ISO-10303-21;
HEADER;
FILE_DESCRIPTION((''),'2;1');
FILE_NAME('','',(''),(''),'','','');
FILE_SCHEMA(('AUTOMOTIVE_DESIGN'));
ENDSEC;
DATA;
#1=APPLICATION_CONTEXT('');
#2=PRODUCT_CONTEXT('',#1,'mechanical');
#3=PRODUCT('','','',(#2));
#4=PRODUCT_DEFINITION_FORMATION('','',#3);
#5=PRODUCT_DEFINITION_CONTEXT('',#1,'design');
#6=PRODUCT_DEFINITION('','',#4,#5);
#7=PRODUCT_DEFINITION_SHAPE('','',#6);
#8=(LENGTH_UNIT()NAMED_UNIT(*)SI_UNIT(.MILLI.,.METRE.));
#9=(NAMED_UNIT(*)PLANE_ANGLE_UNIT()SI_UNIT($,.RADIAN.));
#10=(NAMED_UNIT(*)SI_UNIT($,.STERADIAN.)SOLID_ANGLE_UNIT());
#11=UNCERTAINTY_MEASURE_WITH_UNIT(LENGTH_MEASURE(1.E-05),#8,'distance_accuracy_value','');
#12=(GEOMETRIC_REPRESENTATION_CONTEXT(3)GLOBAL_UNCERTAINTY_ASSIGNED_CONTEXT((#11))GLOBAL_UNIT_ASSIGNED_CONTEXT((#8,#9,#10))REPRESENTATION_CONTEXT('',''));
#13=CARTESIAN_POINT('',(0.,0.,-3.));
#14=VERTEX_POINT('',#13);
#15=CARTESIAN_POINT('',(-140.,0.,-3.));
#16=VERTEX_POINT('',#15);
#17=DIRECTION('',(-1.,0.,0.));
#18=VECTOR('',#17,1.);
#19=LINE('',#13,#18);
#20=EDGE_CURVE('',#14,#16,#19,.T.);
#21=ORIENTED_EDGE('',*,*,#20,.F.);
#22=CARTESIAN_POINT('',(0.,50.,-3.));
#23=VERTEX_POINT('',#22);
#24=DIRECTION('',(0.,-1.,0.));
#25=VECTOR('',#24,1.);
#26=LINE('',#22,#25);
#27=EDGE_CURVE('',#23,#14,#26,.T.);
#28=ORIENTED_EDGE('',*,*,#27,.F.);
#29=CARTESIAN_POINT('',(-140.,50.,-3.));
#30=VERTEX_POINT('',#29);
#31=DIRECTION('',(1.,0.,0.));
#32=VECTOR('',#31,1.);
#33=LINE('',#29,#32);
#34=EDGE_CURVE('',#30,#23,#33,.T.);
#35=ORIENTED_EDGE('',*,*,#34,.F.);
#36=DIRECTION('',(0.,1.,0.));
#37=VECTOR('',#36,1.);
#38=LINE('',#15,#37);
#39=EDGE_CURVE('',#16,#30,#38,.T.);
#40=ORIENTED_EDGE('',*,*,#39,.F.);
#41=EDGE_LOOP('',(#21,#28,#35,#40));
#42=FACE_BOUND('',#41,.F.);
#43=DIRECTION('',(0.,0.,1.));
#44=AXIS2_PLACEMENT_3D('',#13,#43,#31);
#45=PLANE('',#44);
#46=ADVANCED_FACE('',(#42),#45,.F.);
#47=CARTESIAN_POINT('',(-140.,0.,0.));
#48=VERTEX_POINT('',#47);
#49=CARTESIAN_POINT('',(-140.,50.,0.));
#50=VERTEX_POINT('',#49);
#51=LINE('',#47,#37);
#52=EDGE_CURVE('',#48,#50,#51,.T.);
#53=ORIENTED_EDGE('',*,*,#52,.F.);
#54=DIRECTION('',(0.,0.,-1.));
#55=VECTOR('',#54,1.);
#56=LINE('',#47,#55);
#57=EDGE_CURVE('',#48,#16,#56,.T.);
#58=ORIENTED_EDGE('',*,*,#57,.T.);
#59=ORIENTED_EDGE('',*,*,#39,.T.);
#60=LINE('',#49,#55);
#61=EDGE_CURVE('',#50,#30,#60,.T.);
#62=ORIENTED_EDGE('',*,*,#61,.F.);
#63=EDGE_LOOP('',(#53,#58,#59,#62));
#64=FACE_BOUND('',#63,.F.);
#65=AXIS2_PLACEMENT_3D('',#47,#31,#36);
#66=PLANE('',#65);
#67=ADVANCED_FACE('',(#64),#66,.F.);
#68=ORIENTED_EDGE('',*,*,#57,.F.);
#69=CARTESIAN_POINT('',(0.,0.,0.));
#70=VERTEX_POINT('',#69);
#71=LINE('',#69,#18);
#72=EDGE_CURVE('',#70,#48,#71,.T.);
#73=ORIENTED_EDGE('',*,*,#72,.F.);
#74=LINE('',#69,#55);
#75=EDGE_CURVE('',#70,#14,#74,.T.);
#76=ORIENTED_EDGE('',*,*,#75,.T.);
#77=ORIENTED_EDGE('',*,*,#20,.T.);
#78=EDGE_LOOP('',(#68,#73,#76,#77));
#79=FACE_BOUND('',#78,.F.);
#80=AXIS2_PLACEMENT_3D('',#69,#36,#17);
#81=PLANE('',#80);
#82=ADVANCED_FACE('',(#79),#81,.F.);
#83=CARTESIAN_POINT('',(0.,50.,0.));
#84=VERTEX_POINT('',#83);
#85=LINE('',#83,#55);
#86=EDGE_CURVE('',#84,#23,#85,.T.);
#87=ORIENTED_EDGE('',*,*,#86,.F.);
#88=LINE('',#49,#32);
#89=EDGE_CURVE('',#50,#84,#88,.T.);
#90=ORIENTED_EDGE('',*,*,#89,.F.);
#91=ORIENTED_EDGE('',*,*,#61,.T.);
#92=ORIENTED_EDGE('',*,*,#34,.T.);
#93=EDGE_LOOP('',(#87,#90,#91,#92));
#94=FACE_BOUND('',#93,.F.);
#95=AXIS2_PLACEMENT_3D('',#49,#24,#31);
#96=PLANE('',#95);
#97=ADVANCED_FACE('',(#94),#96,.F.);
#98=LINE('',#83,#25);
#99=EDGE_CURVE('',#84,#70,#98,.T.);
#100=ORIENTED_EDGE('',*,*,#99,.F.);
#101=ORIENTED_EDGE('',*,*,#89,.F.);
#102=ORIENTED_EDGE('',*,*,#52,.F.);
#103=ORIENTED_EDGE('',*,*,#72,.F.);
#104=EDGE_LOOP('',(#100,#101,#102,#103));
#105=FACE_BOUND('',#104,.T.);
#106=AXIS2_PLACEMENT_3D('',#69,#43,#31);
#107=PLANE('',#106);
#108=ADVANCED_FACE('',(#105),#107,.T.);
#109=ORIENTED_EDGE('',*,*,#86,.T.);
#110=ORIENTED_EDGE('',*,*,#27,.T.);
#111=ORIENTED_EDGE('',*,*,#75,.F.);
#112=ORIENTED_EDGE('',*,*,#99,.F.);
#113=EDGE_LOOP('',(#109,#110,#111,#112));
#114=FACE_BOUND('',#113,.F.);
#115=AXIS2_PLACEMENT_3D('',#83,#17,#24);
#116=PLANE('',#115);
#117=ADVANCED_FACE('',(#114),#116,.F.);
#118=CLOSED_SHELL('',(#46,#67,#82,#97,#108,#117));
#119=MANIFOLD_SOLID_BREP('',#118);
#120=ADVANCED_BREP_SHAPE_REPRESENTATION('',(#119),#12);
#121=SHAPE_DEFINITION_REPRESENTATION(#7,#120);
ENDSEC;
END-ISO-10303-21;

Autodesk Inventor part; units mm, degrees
ref_plane "YZ Plane" through (0, 0, 0) normal (1, 0, 0) x (0, 1, 0)
ref_plane "XZ Plane" through (0, 0, 0) normal (0, 1, 0) x (-1, 0, 0)
ref_plane "XY Plane" through (0, 0, 0) normal (0, 0, 1) x (1, 0, 0)
sketch "Sketch1" plane through (0, 0, 0) normal (0, 0, 1) x (1, 0, 0)
  line L0 (0, 0) -> (-140, 0)
  line L1 (-140, 0) -> (-140, 50)
  line L2 (-140, 50) -> (0, 50)
  line L3 (0, 50) -> (0, 0)
  dimension "d0" = 140
  dimension "d1" = 50
extrude "Extrusion1" add sketch "Sketch1" against normal blind 3
properties part number "achterkant"
